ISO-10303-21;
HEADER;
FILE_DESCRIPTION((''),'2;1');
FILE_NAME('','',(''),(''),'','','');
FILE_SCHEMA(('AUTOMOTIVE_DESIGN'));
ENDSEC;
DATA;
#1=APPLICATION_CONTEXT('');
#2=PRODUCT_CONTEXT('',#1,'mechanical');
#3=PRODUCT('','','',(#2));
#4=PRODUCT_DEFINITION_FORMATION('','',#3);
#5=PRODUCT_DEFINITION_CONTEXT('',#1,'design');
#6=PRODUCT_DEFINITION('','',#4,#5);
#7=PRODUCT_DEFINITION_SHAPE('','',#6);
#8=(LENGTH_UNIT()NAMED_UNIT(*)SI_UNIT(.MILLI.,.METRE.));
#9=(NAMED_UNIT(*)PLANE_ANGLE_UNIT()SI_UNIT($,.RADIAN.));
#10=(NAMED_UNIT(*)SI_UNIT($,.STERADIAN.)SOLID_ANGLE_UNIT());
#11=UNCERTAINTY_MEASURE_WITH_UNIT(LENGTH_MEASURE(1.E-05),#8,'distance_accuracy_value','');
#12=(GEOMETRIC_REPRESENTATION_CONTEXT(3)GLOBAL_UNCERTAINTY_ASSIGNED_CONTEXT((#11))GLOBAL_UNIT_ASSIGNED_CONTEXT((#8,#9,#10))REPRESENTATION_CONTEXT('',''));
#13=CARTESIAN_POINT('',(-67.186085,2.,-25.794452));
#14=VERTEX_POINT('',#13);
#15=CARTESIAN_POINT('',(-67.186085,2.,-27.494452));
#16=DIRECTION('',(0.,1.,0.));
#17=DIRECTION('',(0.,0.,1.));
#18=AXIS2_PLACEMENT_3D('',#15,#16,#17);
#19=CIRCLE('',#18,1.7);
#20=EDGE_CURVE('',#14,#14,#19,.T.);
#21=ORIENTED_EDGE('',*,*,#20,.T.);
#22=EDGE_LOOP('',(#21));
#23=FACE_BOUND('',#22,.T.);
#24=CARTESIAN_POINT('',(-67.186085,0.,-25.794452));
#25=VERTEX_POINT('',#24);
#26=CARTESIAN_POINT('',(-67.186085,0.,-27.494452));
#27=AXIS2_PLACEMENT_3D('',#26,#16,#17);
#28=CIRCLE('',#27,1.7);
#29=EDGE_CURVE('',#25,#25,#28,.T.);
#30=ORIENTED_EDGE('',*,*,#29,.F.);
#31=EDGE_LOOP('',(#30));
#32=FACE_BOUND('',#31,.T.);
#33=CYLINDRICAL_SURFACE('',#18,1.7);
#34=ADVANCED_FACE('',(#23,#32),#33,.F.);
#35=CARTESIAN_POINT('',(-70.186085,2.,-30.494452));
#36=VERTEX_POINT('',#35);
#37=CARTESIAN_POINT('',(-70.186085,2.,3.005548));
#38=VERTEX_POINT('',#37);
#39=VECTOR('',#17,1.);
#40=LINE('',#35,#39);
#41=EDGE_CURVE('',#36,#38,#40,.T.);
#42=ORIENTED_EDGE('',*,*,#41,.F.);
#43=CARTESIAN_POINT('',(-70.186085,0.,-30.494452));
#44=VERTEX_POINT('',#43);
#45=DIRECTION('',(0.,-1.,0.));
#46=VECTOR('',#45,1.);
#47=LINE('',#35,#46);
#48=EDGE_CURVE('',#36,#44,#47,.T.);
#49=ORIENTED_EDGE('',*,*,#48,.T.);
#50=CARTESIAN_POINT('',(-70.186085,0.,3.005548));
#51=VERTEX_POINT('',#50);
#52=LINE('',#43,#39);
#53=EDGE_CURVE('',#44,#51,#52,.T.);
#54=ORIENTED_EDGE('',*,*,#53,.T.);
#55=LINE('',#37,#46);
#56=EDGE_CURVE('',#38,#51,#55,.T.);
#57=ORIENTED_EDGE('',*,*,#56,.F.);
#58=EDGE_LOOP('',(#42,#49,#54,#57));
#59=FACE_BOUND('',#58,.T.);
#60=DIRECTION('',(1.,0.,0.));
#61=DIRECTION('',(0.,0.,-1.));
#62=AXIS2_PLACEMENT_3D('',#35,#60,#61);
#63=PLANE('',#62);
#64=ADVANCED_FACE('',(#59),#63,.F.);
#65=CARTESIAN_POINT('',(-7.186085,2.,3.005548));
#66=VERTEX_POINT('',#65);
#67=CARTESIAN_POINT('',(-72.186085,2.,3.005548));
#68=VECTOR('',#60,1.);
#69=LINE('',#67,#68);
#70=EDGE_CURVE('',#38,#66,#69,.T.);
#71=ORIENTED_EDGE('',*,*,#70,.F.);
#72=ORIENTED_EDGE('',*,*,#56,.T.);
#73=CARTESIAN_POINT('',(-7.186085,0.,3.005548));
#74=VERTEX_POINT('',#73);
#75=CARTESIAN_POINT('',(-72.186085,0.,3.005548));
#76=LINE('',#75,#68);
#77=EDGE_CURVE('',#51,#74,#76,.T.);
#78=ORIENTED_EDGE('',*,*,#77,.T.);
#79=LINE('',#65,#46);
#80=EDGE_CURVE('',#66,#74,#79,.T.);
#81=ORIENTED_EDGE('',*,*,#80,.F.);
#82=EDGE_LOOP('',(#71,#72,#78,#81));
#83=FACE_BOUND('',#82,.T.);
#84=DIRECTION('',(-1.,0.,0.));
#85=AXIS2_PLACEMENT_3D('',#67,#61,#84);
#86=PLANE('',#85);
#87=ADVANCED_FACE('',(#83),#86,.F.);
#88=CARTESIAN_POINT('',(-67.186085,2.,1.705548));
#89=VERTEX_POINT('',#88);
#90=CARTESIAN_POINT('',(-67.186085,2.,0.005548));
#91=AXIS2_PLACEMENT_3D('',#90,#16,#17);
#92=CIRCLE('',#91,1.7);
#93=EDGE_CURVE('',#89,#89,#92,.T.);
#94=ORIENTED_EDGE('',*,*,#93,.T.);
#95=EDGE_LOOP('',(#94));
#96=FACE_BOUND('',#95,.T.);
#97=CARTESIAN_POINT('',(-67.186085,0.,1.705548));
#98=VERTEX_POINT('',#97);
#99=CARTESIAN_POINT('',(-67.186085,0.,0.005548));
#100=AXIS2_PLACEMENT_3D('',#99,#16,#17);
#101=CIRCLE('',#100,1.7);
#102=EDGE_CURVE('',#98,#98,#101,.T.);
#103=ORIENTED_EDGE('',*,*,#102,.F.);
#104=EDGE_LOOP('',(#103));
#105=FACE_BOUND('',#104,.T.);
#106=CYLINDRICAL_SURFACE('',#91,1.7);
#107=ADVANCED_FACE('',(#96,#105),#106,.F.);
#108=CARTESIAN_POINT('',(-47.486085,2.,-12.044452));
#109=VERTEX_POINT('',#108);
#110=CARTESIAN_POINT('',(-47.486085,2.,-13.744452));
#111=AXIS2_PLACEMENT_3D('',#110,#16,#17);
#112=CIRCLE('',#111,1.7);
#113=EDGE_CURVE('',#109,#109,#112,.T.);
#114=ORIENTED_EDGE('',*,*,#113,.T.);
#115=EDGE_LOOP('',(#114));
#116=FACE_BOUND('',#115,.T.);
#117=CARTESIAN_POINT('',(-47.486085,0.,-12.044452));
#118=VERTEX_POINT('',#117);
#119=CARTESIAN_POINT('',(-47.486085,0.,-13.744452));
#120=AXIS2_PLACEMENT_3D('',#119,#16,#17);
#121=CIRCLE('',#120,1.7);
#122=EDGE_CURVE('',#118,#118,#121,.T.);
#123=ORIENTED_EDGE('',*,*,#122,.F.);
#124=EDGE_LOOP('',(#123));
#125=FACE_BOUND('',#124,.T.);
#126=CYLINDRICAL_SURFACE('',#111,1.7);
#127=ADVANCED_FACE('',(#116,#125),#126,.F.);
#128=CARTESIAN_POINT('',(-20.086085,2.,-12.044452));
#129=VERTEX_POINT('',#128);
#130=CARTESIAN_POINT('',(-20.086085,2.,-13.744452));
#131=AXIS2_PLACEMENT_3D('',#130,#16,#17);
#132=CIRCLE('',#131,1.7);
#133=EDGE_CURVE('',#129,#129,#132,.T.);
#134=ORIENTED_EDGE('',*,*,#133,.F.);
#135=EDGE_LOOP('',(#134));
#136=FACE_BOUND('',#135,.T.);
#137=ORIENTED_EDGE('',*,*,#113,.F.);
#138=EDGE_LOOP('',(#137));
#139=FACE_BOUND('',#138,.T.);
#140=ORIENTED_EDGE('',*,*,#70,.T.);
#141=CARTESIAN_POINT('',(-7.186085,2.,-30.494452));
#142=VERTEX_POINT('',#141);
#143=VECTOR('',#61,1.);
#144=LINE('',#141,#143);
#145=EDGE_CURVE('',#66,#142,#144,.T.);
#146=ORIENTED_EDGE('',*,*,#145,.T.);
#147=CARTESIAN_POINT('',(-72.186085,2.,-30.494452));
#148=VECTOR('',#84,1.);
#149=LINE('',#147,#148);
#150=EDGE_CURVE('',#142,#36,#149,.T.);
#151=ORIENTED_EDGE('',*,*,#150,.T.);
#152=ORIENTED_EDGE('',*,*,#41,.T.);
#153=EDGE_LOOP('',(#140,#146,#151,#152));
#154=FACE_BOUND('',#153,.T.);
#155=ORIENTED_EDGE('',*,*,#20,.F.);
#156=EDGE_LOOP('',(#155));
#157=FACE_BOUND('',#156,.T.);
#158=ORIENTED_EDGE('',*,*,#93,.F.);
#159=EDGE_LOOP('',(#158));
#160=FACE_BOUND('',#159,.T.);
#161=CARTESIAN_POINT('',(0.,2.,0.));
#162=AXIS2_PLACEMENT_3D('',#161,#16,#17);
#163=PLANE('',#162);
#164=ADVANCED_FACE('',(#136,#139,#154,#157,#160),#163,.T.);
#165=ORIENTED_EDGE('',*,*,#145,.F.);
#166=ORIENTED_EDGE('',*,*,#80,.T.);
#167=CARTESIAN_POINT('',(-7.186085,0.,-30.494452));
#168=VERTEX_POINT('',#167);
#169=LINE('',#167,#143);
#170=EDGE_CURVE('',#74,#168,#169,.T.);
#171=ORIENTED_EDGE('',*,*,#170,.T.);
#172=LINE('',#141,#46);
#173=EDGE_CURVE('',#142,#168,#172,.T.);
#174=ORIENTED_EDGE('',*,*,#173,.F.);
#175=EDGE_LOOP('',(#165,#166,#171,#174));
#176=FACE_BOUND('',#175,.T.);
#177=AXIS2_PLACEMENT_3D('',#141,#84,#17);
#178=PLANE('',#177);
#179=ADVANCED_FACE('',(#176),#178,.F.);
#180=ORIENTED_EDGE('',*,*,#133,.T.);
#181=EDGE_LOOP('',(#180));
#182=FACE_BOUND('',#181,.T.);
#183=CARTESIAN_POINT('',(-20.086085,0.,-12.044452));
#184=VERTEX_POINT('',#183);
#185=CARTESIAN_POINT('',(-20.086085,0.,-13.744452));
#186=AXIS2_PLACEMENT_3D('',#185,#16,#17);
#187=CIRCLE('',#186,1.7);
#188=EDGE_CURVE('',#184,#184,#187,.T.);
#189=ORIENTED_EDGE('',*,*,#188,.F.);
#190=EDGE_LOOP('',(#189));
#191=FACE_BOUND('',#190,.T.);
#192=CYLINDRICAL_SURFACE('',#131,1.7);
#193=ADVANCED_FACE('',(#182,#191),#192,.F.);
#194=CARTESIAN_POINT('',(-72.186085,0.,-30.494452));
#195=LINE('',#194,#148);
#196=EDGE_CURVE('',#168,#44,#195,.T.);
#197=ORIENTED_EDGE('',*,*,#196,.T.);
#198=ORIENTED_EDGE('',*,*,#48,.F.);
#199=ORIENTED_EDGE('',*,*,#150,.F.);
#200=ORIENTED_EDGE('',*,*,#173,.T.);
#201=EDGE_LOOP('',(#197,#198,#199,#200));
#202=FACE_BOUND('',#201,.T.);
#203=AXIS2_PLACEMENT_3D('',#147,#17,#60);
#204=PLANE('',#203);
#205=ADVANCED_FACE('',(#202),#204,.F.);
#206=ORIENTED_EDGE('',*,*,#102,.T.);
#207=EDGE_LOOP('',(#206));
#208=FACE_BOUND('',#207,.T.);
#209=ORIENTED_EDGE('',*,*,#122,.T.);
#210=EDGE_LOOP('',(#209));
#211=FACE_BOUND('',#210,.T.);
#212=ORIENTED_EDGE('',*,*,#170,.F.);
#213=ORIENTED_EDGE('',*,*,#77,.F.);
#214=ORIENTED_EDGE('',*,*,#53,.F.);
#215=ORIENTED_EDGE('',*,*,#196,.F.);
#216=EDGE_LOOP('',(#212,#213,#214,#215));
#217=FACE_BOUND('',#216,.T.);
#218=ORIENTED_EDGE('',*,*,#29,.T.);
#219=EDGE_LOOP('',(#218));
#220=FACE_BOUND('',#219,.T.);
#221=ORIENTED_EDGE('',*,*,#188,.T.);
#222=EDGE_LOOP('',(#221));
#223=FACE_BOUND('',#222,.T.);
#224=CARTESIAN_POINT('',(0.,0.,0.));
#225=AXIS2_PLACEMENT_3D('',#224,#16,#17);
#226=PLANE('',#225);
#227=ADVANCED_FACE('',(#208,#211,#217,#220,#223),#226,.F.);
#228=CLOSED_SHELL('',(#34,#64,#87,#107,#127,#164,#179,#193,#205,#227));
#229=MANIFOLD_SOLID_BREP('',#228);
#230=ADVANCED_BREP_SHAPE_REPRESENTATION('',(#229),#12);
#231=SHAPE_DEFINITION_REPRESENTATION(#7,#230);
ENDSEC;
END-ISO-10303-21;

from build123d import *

# Parameters (mm, degrees)
SKETCH1_W            = 65
SKETCH1_H            = 33.5
BOSS_EXTRUDE1_DEPTH  = 2
M3_CLEARANCE_HOLE1_D = 3.4
M3_CLEARANCE_HOLE2_D = 3.4
SKETCH6_W            = 2
SKETCH6_H            = 33.5
CUT_EXTRUDE1_DEPTH   = 3


with BuildPart() as part:
    # Sketch1 → Boss-Extrude1 (new body)
    with BuildSketch(Plane(origin=(0, 0, 0), x_dir=(1, 0, 0), z_dir=(0, 1, 0))):
        with Locations((-39.686085356, 13.7444519)):
            Rectangle(SKETCH1_W, SKETCH1_H)
    extrude(amount=BOSS_EXTRUDE1_DEPTH)

    # M3 Clearance Hole1 (through all)
    with Locations(Plane(origin=(0, 2, 0), x_dir=(1, 0, 0), z_dir=(0, 1, 0))):
        with Locations((-67.186085356, 27.4944519), (-67.186085356, -0.0055481)):
            Hole(M3_CLEARANCE_HOLE1_D / 2)

    # M3 Clearance Hole2 (through all)
    with Locations(Plane(origin=(-47.486085356, 2, -13.7444519), x_dir=(0, 0, 1), z_dir=(0, 1, 0))):
        with Locations((0, 0), (0, 27.4)):
            Hole(M3_CLEARANCE_HOLE2_D / 2)

    # Sketch6 → Cut-Extrude1 (cut, through all)
    with BuildSketch(Plane.XZ):
        with Locations((-71.186085356, -13.7444519)):
            Rectangle(SKETCH6_W, SKETCH6_H)
    extrude(amount=-CUT_EXTRUDE1_DEPTH, mode=Mode.SUBTRACT)


solid = part.part
